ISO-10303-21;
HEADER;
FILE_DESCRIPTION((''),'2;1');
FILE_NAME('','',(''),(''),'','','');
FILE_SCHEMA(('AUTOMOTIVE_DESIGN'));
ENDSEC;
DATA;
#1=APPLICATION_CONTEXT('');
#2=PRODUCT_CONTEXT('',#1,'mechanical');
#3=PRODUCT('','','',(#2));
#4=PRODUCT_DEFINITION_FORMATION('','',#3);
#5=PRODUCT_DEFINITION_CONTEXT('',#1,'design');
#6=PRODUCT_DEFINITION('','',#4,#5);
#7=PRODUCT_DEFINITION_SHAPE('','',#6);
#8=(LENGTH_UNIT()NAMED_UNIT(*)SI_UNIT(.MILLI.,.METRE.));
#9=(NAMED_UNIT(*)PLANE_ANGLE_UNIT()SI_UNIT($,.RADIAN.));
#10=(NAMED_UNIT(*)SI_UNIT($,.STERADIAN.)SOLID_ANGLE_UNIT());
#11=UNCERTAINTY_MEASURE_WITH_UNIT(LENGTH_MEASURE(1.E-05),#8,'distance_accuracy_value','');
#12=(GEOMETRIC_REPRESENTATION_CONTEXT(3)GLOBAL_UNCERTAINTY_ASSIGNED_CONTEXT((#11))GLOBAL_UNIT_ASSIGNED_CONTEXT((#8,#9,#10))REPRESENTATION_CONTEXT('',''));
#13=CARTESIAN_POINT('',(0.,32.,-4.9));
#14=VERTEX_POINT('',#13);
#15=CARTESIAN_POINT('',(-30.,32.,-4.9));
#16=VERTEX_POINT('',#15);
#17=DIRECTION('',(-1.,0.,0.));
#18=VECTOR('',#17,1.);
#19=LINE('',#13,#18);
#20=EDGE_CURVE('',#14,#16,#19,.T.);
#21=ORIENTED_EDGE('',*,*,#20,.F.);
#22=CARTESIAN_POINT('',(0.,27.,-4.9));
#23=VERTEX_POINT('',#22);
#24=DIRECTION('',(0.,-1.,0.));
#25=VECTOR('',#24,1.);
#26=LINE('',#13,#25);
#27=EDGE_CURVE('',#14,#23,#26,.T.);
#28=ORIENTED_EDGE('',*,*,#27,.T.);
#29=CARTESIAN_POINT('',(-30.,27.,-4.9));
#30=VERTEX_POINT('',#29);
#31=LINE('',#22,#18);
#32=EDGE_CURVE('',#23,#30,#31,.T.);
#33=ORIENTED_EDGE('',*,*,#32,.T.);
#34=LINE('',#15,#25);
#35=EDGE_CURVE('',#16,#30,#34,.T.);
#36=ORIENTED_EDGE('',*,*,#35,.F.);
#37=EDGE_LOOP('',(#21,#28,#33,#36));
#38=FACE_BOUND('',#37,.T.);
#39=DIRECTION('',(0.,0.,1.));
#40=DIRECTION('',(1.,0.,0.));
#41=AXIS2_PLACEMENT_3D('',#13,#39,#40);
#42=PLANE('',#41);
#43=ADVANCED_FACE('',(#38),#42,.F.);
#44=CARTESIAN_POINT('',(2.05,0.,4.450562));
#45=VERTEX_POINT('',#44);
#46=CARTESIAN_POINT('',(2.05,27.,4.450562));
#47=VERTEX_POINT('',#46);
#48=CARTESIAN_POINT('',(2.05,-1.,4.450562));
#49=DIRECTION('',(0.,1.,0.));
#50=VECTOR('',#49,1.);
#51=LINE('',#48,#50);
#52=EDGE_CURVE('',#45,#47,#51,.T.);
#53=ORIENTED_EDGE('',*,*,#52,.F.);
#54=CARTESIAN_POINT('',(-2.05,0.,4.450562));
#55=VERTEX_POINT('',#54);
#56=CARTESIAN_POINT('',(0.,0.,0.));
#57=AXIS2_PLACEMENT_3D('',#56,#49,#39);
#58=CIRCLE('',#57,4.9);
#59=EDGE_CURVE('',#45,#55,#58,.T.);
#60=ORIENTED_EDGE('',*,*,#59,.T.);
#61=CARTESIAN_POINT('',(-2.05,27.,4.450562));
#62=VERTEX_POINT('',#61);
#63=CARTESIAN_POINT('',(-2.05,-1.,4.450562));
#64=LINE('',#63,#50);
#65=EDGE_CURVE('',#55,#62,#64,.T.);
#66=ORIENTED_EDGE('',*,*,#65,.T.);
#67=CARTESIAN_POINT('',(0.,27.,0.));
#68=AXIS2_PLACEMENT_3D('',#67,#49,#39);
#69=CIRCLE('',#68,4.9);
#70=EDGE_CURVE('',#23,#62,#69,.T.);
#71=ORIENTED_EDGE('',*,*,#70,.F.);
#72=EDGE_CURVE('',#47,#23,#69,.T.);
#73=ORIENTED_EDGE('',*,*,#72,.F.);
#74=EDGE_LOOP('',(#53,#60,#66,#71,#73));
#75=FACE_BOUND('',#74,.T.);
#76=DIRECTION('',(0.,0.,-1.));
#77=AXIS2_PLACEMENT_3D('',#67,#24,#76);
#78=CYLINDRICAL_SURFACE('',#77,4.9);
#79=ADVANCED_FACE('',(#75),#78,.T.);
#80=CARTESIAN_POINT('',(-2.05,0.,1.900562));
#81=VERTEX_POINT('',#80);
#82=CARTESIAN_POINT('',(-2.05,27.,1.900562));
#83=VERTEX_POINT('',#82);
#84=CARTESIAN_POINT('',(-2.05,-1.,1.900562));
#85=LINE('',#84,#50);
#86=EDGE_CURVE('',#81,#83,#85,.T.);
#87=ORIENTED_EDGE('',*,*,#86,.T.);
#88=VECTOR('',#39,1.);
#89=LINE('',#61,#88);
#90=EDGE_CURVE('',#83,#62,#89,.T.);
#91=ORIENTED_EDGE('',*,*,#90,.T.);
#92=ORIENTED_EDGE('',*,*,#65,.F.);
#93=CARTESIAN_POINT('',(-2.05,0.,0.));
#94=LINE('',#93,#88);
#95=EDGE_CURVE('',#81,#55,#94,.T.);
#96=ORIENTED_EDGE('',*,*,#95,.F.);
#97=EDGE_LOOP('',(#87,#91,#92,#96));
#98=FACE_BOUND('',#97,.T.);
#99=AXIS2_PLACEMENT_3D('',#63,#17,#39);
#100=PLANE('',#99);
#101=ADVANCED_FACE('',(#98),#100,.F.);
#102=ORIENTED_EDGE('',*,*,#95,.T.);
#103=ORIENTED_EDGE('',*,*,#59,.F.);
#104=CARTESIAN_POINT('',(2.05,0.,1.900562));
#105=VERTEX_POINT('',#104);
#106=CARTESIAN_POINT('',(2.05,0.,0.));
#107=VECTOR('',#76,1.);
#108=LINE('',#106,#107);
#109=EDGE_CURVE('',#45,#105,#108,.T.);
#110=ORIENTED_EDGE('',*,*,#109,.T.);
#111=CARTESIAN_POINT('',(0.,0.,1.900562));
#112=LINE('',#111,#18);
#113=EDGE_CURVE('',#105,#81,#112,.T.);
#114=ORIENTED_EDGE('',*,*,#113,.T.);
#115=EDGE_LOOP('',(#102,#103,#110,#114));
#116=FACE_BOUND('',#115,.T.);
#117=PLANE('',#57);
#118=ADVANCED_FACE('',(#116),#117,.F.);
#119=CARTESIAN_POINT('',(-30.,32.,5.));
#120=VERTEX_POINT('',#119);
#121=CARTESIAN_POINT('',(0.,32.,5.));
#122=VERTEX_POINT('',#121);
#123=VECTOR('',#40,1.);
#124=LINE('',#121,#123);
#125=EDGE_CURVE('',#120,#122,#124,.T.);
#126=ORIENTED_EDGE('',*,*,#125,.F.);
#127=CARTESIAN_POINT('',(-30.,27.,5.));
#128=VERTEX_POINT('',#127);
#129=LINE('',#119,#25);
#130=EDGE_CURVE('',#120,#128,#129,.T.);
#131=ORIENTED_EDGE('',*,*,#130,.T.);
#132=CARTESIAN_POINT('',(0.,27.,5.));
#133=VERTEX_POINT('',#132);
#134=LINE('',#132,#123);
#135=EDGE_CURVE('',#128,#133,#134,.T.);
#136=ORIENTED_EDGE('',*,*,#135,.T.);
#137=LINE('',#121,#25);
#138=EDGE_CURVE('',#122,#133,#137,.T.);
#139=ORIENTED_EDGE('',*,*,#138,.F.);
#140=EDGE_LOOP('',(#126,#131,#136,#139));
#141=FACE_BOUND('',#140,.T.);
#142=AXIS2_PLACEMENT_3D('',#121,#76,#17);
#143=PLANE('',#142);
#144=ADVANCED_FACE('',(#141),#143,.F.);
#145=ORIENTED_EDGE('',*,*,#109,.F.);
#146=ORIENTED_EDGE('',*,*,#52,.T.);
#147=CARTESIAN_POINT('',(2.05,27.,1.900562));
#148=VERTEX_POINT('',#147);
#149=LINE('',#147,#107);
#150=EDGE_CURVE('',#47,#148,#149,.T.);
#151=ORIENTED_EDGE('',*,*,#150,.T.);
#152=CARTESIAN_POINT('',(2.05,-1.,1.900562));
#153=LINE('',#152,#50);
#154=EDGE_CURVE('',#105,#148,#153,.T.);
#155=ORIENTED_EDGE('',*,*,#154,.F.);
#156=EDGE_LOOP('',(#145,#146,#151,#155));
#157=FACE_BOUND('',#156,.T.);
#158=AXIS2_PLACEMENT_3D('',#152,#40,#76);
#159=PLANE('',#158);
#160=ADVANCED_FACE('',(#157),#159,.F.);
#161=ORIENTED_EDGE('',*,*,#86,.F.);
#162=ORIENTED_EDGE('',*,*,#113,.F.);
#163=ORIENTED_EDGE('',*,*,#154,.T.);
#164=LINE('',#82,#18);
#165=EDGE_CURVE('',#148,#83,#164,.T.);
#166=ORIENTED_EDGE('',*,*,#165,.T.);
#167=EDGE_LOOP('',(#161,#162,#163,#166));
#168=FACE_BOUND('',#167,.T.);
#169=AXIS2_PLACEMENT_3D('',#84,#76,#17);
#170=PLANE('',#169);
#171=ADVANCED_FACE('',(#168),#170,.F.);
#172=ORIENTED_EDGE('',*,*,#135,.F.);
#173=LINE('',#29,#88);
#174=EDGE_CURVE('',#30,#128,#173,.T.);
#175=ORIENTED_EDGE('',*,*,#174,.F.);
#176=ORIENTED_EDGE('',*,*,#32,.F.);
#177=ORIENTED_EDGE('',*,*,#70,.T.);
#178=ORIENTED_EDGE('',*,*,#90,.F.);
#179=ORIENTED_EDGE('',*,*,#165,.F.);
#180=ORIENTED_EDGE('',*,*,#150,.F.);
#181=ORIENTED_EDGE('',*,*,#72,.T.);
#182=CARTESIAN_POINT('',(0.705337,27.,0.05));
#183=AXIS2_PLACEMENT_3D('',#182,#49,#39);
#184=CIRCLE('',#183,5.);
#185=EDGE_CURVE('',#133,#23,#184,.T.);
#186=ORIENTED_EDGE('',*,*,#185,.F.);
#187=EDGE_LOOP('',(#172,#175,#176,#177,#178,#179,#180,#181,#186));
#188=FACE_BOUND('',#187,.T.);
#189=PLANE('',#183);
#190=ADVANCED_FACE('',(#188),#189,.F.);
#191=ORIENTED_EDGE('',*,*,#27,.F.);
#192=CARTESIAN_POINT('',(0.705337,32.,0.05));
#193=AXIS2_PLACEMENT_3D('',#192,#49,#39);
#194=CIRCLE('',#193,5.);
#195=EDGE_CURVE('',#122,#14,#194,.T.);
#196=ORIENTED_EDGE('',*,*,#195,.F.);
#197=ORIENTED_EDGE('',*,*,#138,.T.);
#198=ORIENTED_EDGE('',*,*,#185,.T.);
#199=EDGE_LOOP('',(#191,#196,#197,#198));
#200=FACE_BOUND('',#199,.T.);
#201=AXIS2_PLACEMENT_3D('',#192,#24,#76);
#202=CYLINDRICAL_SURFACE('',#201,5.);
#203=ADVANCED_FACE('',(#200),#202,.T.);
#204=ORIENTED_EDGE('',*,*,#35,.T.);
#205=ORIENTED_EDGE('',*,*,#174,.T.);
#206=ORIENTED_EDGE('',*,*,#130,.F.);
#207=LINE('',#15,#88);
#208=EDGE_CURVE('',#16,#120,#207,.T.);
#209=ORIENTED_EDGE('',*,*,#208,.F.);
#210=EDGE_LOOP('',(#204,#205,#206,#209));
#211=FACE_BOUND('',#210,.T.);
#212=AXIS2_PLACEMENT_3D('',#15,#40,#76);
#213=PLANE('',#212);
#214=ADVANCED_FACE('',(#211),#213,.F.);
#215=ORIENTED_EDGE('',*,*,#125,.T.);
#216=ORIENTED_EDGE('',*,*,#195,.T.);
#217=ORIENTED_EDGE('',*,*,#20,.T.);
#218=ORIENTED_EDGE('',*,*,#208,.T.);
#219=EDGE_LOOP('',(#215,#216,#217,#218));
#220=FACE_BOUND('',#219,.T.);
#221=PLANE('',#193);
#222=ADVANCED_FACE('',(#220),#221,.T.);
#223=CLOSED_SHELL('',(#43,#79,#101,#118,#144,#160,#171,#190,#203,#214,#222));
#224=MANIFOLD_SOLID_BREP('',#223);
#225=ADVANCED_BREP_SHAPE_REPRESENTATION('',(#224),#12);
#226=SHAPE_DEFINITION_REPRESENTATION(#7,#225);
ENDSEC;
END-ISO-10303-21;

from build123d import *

# Parameters (mm, degrees)
SKETCH1_R           = 4.9
BOSS_EXTRUDE1_DEPTH = 27
CUT_EXTRUDE1_START  = -28
CUT_EXTRUDE1_DEPTH  = 28
BOSS_EXTRUDE2_DEPTH = 5


with BuildPart() as part:
    # Sketch1 → Boss-Extrude1 (new body)
    with BuildSketch(Plane(origin=(0, 0, 0), x_dir=(1, 0, 0), z_dir=(0, 1, 0))):
        with Locations(Location((0, 0, 0), (0, 0, 270))):
            Circle(SKETCH1_R)
    extrude(amount=BOSS_EXTRUDE1_DEPTH)

    # Sketch3 → Cut-Extrude1 (cut)
    with BuildSketch(Plane(origin=(0, 27, 0), x_dir=(1, 0, 0), z_dir=(0, 1, 0)).offset(CUT_EXTRUDE1_START)):
        with BuildLine():
            Line((-2.05, -4.450561762), (-2.05, -1.900561762))
            Line((-2.05, -1.900561762), (2.05, -1.900561762))
            Line((2.05, -1.900561762), (2.05, -4.450561762))
            ThreePointArc((2.05, -4.450561762), (0, -4.9), (-2.05, -4.450561762))
        make_face()
    extrude(amount=CUT_EXTRUDE1_DEPTH, mode=Mode.SUBTRACT)

    # Sketch2 → Boss-Extrude2 (add)
    with BuildSketch(Plane(origin=(0, 27, 0), x_dir=(1, 0, 0), z_dir=(0, 1, 0))):
        with BuildLine():
            Line((0, 4.9), (-30, 4.9))
            Line((-30, 4.9), (-30, -5))
            Line((-30, -5), (0, -5))
            ThreePointArc((0, -5), (5.705336799, -0.05), (0, 4.9))
        make_face()
    extrude(amount=BOSS_EXTRUDE2_DEPTH)


solid = part.part
